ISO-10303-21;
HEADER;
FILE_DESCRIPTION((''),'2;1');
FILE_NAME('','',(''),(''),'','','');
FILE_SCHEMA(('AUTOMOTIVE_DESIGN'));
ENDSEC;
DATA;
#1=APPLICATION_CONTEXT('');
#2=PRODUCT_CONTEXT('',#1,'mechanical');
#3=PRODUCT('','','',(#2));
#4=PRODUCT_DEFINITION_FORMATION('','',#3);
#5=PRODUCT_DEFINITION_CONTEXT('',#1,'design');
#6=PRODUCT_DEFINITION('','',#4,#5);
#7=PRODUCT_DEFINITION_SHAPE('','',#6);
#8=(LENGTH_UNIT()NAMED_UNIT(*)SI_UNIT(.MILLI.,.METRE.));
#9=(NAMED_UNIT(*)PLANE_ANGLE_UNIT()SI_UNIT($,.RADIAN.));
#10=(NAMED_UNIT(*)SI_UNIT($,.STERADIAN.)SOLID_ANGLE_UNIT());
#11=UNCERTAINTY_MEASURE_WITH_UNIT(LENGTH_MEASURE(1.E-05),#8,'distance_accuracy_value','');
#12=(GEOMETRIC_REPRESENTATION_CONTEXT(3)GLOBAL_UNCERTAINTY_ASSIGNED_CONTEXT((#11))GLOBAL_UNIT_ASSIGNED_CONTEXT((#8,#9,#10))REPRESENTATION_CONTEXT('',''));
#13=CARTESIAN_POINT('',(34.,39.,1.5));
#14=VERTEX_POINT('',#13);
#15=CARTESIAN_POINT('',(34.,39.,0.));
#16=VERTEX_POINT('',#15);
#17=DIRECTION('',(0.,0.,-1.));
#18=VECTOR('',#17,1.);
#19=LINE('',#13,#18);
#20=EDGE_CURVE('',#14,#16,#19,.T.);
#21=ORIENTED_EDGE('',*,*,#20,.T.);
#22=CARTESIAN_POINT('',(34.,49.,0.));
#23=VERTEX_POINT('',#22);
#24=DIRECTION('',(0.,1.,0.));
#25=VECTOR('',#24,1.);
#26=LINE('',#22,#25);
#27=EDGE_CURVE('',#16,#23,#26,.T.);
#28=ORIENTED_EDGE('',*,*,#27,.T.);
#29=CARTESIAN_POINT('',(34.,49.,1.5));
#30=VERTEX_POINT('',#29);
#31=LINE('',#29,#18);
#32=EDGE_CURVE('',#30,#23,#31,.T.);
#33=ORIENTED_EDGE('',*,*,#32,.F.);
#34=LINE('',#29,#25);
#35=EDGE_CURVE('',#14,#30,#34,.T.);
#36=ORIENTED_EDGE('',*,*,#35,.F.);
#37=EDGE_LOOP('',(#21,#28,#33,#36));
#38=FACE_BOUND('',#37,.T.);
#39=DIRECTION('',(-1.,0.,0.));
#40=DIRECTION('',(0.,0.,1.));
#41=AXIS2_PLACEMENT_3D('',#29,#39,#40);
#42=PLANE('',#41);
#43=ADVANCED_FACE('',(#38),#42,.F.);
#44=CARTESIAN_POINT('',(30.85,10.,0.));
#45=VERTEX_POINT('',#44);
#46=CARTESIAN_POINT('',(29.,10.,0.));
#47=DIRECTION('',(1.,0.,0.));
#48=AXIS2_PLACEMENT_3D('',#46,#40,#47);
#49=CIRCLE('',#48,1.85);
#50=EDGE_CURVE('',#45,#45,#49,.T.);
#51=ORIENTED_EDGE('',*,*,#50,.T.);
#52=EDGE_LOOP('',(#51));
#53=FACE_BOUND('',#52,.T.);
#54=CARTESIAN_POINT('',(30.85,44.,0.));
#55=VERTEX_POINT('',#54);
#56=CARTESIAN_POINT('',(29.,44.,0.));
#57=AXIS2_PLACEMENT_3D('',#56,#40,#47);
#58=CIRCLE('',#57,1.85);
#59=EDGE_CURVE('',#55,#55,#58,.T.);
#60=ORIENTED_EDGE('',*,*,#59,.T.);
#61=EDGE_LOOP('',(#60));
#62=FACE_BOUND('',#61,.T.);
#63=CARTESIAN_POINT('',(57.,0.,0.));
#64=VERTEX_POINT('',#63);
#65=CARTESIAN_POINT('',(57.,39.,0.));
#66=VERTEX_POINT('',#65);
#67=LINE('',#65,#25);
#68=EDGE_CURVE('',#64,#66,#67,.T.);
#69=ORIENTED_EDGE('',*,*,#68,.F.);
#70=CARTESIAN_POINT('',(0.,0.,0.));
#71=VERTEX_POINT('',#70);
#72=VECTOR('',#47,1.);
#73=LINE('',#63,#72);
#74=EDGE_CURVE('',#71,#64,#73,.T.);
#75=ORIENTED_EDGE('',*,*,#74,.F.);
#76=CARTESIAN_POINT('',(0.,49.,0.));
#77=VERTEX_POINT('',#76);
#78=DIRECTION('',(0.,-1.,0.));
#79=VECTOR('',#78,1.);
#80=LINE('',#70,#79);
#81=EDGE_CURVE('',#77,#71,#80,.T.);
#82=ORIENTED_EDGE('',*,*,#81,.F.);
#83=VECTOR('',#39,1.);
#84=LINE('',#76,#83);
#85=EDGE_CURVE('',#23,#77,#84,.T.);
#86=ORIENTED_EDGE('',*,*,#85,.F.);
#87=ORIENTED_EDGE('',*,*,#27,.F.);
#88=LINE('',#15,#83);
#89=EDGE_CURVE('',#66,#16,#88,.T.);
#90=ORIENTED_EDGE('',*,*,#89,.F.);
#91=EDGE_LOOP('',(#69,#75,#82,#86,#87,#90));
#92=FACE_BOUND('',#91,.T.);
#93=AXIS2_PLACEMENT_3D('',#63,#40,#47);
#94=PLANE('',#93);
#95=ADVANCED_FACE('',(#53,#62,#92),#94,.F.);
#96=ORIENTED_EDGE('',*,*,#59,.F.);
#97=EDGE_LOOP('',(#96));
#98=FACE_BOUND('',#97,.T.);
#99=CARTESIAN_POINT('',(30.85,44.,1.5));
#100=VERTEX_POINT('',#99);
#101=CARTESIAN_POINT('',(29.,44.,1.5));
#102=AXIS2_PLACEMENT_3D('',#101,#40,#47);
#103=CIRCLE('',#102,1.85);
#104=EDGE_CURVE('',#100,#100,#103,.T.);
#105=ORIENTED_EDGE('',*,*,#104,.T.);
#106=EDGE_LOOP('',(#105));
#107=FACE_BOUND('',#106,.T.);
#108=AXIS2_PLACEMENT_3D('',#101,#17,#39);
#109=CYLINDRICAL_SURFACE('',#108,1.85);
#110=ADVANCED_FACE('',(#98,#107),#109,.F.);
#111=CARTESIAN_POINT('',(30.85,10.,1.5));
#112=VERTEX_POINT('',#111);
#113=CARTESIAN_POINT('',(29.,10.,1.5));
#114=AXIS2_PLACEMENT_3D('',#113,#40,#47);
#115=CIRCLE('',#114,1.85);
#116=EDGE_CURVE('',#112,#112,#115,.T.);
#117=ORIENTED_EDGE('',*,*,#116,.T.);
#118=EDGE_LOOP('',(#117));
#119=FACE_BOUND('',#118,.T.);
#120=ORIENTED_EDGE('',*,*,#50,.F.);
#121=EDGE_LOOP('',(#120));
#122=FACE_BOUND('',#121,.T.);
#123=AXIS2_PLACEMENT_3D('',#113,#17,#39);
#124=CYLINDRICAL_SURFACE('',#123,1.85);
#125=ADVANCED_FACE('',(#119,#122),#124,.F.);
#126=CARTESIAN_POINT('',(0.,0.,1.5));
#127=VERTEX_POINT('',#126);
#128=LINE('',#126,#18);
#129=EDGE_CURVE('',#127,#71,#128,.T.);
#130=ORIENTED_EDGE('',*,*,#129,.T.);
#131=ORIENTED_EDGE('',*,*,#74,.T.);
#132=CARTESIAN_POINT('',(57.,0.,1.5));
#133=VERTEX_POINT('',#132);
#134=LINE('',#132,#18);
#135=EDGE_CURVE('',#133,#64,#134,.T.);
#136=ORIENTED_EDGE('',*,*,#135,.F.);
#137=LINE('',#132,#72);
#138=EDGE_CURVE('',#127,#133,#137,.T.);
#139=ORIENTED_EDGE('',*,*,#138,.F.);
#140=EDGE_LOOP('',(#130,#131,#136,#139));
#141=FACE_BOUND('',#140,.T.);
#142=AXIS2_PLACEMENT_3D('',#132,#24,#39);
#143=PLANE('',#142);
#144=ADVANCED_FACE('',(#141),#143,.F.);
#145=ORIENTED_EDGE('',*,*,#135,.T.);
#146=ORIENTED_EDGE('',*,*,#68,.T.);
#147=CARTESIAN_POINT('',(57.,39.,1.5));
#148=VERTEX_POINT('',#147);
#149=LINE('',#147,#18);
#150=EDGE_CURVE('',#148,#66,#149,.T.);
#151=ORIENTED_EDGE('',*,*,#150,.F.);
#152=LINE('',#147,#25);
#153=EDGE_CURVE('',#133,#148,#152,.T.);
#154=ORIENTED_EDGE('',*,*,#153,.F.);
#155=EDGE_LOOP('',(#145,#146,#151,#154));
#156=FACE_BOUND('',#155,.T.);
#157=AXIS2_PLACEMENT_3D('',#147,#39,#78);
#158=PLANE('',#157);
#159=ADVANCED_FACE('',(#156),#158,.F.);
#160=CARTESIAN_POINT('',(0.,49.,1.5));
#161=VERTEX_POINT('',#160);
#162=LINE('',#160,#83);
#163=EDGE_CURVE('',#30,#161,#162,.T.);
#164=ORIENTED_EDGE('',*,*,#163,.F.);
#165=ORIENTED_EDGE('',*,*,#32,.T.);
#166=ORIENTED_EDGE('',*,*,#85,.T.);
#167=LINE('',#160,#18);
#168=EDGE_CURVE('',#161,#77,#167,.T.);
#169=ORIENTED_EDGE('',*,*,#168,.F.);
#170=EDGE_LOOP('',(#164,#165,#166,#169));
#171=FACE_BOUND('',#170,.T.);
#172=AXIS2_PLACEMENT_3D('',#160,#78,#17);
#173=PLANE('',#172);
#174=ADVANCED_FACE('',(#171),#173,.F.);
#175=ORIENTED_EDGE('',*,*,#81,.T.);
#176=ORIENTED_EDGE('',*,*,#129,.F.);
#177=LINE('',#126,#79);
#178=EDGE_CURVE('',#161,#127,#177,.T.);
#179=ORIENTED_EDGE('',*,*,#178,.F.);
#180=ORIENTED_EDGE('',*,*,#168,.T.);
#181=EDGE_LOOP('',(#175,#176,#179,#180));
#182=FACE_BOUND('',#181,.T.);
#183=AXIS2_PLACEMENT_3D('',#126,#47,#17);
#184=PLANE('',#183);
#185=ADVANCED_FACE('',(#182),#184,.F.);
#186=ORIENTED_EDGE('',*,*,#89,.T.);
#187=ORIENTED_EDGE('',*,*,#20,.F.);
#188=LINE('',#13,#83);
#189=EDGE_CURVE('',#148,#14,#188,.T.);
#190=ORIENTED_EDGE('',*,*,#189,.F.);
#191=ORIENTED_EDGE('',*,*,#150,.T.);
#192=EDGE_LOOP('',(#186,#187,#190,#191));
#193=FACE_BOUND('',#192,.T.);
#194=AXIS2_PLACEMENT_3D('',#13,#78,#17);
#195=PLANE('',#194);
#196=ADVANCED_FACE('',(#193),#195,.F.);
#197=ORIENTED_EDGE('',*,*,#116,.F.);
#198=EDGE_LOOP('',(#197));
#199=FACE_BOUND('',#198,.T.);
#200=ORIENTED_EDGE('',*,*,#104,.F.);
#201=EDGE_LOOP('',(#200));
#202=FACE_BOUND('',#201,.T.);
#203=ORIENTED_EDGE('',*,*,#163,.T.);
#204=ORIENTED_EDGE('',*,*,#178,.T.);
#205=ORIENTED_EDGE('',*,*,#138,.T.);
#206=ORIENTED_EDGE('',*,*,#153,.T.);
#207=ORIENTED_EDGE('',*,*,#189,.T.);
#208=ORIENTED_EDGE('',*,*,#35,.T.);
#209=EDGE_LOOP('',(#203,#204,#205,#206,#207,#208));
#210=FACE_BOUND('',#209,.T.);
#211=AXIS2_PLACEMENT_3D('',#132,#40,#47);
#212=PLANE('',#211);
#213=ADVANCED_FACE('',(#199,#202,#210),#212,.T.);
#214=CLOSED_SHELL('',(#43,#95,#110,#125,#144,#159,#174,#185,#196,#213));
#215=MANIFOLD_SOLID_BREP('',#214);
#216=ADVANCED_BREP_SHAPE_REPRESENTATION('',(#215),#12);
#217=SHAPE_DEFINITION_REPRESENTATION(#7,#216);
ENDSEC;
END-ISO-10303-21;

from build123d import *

# Parameters (mm, degrees)
SKETCH_1_R      = 1.85
EXTRUDE_1_DEPTH = 1.5


with BuildPart() as part:
    # Эскиз1 → Вытянуть1 (new body)
    with BuildSketch(Plane.XY):
        Polygon((0, 0), (0, 49), (34, 49), (34, 39), (57, 39), (57, 0), align=None)
        with Locations((29, 44)):
            Circle(SKETCH_1_R, mode=Mode.SUBTRACT)
        with Locations((29, 10)):
            Circle(SKETCH_1_R, mode=Mode.SUBTRACT)
    extrude(amount=EXTRUDE_1_DEPTH)


solid = part.part
